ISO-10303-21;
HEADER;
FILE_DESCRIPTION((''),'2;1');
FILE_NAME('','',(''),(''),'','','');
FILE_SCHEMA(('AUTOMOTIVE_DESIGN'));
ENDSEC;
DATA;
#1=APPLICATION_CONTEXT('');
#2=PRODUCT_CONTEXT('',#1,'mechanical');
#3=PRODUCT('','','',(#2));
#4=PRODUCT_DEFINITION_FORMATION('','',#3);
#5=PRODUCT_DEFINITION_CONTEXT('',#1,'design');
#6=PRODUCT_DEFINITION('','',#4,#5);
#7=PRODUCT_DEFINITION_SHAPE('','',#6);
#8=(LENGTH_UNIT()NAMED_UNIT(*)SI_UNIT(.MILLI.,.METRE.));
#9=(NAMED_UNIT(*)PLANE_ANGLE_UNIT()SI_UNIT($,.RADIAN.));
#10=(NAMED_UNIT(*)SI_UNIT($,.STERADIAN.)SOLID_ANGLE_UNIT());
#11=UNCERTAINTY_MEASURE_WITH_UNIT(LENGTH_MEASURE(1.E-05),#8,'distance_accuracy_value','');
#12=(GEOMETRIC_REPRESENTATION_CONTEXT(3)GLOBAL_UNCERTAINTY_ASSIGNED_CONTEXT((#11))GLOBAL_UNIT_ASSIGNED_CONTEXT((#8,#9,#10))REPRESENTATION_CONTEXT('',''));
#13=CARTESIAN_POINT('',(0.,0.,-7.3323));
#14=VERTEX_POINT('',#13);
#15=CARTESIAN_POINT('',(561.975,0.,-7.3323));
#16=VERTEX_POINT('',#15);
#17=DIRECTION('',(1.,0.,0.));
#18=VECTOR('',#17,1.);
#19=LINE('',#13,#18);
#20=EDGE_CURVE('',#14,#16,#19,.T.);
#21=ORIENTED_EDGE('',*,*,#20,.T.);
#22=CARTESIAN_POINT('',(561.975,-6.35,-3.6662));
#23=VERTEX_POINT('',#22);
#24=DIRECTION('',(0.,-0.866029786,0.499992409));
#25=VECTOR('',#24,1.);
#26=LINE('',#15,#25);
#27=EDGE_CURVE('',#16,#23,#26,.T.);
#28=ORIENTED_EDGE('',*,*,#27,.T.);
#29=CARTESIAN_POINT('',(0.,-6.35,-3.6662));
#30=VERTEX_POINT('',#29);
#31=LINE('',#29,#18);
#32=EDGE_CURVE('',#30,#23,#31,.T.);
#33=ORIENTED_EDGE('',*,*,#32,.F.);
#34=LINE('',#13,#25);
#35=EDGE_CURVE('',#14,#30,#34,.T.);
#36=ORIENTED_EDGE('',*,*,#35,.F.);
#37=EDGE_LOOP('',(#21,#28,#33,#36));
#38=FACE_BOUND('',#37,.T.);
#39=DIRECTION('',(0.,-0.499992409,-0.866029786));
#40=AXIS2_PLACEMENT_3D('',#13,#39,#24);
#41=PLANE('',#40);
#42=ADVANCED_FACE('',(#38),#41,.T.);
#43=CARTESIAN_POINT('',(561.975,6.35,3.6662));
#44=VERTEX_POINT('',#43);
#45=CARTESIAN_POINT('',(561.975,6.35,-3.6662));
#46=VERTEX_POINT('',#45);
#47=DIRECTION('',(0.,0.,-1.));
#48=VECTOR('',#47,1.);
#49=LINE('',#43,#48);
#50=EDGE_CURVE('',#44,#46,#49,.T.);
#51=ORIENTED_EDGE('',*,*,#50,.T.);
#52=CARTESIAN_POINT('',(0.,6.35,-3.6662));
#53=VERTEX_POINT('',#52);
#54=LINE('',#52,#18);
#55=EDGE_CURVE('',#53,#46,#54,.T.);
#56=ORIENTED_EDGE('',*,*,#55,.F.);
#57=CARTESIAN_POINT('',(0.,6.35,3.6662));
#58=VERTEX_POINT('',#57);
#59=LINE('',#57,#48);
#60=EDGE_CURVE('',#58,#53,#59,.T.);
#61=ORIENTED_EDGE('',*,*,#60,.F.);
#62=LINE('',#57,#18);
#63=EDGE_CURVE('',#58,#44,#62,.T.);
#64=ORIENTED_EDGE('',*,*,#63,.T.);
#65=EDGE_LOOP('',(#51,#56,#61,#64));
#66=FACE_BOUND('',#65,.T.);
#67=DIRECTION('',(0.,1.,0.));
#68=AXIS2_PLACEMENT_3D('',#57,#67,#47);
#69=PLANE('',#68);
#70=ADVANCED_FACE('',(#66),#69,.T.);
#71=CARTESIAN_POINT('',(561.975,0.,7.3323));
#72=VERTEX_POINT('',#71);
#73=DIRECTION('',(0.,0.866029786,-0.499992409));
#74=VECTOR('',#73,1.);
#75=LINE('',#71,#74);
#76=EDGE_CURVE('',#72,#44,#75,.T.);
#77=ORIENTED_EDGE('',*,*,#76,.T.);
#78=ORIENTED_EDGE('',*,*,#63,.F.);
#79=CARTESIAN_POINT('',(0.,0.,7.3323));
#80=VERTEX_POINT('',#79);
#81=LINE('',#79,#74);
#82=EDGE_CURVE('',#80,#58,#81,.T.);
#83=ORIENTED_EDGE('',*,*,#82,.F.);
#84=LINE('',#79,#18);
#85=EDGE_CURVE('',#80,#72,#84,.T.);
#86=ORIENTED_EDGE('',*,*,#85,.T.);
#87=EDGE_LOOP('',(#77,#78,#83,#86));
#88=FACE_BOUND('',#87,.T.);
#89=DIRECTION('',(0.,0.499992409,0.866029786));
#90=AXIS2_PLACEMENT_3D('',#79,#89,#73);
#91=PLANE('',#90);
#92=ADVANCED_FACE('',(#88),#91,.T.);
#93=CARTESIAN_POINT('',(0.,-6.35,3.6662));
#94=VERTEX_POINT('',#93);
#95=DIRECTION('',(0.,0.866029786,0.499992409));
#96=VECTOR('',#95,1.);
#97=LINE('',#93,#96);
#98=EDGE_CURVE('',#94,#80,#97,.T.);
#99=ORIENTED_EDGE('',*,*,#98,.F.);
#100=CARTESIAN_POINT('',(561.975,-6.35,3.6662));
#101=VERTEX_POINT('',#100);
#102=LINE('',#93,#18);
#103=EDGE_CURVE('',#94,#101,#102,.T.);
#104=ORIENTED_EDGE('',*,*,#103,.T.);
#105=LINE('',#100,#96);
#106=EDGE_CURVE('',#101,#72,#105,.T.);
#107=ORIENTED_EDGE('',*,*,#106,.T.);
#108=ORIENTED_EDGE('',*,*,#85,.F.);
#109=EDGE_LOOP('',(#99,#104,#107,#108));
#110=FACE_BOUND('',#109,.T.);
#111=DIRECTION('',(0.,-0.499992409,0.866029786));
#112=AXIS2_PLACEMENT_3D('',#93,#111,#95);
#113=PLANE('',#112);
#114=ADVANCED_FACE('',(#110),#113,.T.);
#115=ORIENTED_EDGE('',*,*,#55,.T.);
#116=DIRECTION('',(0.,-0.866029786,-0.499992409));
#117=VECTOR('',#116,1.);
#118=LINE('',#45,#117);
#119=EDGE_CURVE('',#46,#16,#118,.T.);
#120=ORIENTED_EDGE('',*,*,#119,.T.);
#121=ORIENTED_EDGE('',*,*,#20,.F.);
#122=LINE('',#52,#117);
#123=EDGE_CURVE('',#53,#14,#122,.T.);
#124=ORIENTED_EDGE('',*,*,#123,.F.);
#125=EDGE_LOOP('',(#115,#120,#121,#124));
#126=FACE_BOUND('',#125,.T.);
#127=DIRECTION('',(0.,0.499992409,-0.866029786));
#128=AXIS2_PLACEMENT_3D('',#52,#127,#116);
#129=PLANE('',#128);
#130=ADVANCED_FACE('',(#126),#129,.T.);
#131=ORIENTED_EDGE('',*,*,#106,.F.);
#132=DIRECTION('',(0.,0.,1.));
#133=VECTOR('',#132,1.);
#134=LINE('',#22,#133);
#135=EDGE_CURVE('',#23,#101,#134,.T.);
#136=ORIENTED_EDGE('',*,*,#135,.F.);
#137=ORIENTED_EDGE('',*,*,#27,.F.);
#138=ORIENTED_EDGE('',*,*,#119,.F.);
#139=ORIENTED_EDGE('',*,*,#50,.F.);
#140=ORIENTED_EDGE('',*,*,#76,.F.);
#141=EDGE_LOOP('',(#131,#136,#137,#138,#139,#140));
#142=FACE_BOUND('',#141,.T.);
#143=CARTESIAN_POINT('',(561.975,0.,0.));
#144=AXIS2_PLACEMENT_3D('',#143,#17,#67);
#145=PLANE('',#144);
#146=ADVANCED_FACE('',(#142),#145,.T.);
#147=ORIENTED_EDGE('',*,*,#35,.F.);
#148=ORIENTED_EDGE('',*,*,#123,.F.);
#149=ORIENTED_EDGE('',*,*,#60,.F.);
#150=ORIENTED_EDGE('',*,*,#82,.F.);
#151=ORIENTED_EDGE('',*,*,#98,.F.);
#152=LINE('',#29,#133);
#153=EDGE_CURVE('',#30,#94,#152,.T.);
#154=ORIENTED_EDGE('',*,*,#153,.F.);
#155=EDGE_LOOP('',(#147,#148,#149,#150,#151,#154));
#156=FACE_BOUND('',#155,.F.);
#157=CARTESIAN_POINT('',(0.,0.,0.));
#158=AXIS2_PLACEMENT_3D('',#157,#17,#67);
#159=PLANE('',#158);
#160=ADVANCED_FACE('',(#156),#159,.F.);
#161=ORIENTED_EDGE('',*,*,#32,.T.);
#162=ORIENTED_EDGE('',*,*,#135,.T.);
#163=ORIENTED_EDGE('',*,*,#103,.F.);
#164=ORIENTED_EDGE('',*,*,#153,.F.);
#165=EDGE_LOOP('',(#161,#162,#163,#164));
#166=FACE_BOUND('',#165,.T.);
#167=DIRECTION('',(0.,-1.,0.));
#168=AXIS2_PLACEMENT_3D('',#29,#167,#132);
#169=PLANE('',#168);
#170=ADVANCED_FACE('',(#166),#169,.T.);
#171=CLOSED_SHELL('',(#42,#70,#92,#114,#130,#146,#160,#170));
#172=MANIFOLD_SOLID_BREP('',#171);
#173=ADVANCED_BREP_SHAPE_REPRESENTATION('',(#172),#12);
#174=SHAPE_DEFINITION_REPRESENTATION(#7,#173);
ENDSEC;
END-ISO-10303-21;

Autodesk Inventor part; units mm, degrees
ref_plane "YZ Plane" through (0, 0, 0) normal (1, 0, 0) x (0, 1, 0)
ref_plane "XZ Plane" through (0, 0, 0) normal (0, 1, 0) x (-1, 0, 0)
ref_plane "XY Plane" through (0, 0, 0) normal (0, 0, 1) x (1, 0, 0)
sketch "Sketch1" plane through (0, 0, 0) normal (1, 0, 0) x (0, 1, 0)
  line L0 (6.35, -3.6662) -> (0, -7.3323)
  line L1 (0, -7.3323) -> (-6.35, -3.6662)
  line L2 (-6.35, -3.6662) -> (-6.35, 3.6662)
  line L3 (-6.35, 3.6662) -> (0, 7.3323)
  line L4 (0, 7.3323) -> (6.35, 3.6662)
  line L5 (6.35, 3.6662) -> (6.35, -3.6662)
  point P0 (0, 0)
  point P1 (0, 0)
  dimension "d0" = 12.7
extrude "Extrusion1" add sketch "Sketch1" along normal blind 561.975
properties part number "15102898-16-A-0303" material "Steel, Galvanized"
